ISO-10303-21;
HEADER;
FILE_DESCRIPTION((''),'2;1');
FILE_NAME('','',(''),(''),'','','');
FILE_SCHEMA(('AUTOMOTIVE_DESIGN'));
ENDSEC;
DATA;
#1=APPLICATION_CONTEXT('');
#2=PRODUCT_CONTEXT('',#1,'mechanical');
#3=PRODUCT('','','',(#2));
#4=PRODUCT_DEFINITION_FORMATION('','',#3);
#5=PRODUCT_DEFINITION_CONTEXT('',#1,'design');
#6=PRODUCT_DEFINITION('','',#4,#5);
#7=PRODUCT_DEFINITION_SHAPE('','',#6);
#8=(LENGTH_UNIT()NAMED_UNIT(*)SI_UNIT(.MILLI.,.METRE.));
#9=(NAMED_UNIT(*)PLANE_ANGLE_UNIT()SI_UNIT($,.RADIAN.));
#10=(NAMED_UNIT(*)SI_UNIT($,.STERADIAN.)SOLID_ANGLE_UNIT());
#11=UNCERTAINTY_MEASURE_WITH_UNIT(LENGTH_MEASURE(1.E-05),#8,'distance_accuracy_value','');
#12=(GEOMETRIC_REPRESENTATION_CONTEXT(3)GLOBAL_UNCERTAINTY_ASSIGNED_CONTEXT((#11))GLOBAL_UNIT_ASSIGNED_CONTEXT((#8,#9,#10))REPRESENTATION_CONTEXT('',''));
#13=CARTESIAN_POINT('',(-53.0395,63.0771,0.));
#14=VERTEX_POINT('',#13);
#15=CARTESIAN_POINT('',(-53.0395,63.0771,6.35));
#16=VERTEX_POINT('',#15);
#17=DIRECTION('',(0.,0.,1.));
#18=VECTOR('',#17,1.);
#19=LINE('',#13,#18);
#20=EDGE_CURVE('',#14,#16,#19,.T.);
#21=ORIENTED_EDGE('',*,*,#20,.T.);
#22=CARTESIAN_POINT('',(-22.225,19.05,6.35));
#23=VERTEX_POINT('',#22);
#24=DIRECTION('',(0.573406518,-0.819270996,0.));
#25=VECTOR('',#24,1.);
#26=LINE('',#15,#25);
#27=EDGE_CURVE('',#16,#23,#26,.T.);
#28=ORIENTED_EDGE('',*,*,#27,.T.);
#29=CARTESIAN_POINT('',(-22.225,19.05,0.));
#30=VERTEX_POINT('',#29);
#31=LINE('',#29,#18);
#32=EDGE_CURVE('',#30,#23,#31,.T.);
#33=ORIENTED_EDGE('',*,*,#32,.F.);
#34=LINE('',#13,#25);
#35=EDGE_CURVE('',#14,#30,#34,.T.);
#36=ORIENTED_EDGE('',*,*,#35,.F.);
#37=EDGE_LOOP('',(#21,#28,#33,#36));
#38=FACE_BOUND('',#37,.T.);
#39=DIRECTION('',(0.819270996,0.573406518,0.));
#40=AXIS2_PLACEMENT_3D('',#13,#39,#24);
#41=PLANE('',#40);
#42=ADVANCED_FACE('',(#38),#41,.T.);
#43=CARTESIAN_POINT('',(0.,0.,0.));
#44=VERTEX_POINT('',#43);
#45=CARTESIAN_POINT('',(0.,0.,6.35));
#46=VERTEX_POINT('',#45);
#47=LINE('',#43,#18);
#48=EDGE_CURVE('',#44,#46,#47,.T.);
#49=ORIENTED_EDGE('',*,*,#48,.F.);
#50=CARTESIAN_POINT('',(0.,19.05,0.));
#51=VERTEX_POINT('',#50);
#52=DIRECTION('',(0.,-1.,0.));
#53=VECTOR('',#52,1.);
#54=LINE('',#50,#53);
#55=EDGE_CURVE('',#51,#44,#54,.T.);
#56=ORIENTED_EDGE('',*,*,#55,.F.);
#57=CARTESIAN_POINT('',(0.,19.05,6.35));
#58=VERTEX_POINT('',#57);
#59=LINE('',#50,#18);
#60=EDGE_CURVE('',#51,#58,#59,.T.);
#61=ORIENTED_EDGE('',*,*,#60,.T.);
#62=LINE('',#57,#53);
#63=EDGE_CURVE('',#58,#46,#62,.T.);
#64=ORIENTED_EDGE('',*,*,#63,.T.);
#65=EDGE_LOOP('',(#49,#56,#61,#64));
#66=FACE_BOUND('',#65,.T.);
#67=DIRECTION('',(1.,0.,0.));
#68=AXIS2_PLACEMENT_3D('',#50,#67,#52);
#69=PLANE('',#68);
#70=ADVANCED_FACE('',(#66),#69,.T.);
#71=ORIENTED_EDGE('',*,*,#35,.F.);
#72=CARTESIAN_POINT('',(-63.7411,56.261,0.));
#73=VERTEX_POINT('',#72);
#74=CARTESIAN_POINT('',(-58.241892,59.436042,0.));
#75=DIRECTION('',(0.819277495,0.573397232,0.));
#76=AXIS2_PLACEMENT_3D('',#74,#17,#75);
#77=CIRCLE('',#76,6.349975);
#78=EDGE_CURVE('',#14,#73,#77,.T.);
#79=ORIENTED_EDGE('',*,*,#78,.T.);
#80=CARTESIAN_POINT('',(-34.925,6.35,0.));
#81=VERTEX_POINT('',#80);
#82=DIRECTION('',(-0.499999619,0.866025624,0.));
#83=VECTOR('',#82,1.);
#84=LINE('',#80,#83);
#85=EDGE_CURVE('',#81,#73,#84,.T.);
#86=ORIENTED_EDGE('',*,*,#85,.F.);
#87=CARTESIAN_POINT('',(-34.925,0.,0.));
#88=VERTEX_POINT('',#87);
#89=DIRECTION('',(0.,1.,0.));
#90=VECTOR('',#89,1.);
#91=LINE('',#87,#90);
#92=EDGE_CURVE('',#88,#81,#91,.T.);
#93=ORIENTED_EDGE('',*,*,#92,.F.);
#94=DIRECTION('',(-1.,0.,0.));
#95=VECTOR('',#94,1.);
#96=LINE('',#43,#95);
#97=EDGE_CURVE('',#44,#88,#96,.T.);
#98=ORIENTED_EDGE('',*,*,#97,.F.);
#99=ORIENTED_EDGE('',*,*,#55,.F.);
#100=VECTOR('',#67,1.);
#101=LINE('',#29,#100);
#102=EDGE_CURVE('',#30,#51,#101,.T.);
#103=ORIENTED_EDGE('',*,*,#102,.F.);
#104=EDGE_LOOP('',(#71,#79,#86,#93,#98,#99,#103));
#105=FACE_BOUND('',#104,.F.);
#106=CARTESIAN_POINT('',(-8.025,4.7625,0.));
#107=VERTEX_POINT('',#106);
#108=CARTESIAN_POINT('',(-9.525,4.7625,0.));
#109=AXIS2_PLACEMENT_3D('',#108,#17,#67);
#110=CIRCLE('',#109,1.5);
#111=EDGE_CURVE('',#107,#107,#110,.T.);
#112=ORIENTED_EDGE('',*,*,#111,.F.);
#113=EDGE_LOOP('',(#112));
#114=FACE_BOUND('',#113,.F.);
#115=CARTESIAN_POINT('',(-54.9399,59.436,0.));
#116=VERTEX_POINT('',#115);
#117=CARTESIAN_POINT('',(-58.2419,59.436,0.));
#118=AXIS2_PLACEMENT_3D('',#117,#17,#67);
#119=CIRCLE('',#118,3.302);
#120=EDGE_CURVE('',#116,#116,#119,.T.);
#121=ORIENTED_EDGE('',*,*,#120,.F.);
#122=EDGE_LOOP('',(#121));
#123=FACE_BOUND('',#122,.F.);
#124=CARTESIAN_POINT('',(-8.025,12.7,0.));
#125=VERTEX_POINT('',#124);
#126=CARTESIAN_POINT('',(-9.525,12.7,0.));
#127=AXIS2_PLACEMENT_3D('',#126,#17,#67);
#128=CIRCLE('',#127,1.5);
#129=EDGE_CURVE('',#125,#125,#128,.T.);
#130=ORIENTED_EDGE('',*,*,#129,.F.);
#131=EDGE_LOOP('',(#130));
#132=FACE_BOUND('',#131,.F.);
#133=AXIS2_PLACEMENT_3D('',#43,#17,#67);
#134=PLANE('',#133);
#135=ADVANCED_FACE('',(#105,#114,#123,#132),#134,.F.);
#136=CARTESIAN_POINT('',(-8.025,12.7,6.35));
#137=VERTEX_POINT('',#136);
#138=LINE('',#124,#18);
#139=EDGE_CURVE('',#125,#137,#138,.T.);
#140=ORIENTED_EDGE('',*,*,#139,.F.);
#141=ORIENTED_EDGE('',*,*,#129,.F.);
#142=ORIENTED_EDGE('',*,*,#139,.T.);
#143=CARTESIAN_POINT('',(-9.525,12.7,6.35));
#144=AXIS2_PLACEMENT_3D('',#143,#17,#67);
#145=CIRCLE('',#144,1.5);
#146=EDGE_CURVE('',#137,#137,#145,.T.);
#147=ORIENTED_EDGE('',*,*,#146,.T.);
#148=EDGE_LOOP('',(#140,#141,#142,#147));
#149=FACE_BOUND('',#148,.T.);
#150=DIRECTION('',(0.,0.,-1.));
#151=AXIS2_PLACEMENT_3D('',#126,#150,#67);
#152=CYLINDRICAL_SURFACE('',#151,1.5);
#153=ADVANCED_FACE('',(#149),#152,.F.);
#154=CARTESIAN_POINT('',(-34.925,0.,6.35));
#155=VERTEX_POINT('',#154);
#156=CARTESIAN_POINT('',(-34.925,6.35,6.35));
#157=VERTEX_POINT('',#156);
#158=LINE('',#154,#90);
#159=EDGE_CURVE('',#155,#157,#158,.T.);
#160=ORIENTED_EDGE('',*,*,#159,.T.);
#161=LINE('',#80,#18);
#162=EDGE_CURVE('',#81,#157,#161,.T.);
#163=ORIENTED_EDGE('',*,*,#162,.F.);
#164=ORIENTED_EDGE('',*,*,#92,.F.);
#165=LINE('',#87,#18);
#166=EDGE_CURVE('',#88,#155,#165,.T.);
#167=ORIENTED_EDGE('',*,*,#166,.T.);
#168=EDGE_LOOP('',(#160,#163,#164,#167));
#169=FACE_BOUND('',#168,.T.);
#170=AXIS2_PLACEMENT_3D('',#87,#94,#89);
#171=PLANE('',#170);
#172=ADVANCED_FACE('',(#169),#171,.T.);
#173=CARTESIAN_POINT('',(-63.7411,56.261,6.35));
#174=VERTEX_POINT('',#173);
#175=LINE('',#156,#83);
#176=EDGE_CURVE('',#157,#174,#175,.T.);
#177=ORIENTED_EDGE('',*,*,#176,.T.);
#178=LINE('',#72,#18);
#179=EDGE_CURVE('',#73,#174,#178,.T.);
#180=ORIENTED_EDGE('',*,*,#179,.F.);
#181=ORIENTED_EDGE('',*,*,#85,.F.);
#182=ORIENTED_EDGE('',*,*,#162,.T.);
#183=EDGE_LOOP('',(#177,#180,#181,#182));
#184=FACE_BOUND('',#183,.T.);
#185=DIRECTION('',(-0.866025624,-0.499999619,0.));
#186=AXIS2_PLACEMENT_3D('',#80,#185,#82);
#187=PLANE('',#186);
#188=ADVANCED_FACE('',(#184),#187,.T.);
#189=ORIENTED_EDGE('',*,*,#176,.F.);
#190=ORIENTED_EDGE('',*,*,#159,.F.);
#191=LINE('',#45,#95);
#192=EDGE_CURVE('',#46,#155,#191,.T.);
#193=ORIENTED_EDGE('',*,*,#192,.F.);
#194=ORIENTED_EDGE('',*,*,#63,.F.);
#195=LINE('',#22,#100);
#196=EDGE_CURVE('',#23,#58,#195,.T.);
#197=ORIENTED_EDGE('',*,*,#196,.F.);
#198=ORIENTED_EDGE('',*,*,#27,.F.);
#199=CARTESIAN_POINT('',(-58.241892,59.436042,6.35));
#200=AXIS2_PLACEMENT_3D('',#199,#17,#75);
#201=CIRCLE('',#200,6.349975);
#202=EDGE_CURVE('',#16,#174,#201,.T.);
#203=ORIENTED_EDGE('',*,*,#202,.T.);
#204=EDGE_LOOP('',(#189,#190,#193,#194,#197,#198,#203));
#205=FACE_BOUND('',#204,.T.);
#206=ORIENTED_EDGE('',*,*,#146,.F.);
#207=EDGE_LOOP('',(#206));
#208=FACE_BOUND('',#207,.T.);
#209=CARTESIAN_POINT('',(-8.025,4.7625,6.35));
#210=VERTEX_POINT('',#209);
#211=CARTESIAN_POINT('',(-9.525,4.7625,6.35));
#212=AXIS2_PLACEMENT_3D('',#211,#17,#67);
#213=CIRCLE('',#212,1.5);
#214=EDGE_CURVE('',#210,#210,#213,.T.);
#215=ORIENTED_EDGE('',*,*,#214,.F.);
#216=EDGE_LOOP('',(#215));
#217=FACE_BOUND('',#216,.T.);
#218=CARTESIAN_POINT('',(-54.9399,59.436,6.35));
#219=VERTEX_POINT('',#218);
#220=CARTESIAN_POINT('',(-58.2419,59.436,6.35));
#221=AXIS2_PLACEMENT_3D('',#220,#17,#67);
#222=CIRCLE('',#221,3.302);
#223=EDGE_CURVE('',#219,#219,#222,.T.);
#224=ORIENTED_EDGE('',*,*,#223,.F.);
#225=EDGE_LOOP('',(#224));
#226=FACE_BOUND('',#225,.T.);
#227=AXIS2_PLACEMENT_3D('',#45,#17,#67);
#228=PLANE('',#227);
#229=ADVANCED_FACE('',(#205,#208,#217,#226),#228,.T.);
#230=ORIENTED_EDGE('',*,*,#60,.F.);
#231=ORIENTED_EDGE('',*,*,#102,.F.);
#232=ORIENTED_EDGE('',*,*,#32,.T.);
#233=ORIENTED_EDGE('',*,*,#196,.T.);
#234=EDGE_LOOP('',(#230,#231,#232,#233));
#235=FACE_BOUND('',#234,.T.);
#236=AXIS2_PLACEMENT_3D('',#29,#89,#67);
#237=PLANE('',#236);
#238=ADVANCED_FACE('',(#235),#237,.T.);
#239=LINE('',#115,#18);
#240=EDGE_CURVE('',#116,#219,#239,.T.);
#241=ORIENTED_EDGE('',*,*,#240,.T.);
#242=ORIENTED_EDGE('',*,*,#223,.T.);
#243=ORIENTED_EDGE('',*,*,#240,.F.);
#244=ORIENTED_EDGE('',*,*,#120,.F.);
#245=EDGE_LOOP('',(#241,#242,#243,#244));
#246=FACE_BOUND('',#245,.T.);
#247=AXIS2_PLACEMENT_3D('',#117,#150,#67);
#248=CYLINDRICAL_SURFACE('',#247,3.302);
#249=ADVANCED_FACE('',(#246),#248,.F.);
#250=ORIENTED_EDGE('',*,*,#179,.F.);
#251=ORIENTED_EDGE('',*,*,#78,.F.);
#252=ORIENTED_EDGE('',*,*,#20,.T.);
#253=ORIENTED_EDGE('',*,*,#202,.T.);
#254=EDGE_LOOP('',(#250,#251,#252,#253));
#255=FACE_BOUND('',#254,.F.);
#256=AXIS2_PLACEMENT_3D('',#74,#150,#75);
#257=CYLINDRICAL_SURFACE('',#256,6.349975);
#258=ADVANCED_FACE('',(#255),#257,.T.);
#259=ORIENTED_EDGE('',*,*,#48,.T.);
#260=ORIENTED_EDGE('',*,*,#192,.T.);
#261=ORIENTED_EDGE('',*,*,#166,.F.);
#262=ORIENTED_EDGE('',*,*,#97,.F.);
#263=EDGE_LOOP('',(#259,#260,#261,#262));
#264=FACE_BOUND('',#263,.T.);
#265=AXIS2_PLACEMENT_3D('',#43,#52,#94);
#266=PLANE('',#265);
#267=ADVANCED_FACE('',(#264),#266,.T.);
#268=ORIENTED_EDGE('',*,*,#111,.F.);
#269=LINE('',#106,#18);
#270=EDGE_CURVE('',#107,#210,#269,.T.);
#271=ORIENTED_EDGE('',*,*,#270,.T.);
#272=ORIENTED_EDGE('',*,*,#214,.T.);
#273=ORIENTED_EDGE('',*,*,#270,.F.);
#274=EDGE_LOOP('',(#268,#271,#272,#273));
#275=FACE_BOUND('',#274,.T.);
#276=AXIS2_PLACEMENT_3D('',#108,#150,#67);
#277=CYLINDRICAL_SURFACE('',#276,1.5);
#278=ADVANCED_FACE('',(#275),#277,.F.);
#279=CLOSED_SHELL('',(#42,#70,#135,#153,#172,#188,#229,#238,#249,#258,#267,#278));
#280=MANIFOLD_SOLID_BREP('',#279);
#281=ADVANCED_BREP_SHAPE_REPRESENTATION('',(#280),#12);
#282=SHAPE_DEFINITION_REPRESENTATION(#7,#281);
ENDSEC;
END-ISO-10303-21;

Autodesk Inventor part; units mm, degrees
ref_plane "YZ Plane" through (0, 0, 0) normal (1, 0, 0) x (0, 1, 0)
ref_plane "XZ Plane" through (0, 0, 0) normal (0, 1, 0) x (-1, 0, 0)
ref_plane "XY Plane" through (0, 0, 0) normal (0, 0, 1) x (1, 0, 0)
sketch "Sketch1" plane through (0, 0, 0) normal (0, 0, 1) x (1, 0, 0)
  line L0 (0, 0) -> (-34.925, 0)
  line L1 (-34.925, 0) -> (-34.925, 6.35)
  line L2 (-22.225, 19.05) -> (0, 19.05)
  line L3 (0, 19.05) -> (0, 0)
  circle A0 centre (-58.2419, 59.436) radius 3.302
  line L4 (-58.2419, 59.436) -> (-34.925, 19.05) construction
  line L5 (-53.0395, 63.0771) -> (-22.225, 19.05)
  line L6 (-34.925, 6.35) -> (-63.7411, 56.261)
  line L7 (-34.925, 6.35) -> (-34.925, 19.05) construction
  line L8 (-22.225, 19.05) -> (-34.925, 19.05) construction
  circle A1 centre (-9.525, 12.7) radius 1.5
  circle A2 centre (-9.525, 4.7625) radius 1.5
  arc A3 (-53.0395, 63.0771) -> (-63.7411, 56.261) centre (-58.2419, 59.436) ccw
  dimension "d0" = 34.925
  dimension "d1" = 19.05
  dimension "d2" = 6.604
  dimension "d3" = 150
  dimension "d4" = 40.386
  dimension "d16" = 25.4
  dimension "d17" = 6.35
  dimension "d18" = 7.9375
  dimension "d19" = 25.4
  dimension "d20" = 3
  dimension "d21" = 3
  dimension "d22" = 12.7
  dimension "d23" = 12.7
  dimension "d24" = 12.7
extrude "Extrusion1" add sketch "Sketch1" along normal blind 6.35
thread "Thread1" size "M3x0.5" class "6H" standard "ANSI Metric M Profile" full length
thread "Thread2" size "5-40 UNC" class "2B" standard "ANSI Unified Screw Threads" full length
properties part number "Mass 1 Insert" material "Aluminum 6061"
